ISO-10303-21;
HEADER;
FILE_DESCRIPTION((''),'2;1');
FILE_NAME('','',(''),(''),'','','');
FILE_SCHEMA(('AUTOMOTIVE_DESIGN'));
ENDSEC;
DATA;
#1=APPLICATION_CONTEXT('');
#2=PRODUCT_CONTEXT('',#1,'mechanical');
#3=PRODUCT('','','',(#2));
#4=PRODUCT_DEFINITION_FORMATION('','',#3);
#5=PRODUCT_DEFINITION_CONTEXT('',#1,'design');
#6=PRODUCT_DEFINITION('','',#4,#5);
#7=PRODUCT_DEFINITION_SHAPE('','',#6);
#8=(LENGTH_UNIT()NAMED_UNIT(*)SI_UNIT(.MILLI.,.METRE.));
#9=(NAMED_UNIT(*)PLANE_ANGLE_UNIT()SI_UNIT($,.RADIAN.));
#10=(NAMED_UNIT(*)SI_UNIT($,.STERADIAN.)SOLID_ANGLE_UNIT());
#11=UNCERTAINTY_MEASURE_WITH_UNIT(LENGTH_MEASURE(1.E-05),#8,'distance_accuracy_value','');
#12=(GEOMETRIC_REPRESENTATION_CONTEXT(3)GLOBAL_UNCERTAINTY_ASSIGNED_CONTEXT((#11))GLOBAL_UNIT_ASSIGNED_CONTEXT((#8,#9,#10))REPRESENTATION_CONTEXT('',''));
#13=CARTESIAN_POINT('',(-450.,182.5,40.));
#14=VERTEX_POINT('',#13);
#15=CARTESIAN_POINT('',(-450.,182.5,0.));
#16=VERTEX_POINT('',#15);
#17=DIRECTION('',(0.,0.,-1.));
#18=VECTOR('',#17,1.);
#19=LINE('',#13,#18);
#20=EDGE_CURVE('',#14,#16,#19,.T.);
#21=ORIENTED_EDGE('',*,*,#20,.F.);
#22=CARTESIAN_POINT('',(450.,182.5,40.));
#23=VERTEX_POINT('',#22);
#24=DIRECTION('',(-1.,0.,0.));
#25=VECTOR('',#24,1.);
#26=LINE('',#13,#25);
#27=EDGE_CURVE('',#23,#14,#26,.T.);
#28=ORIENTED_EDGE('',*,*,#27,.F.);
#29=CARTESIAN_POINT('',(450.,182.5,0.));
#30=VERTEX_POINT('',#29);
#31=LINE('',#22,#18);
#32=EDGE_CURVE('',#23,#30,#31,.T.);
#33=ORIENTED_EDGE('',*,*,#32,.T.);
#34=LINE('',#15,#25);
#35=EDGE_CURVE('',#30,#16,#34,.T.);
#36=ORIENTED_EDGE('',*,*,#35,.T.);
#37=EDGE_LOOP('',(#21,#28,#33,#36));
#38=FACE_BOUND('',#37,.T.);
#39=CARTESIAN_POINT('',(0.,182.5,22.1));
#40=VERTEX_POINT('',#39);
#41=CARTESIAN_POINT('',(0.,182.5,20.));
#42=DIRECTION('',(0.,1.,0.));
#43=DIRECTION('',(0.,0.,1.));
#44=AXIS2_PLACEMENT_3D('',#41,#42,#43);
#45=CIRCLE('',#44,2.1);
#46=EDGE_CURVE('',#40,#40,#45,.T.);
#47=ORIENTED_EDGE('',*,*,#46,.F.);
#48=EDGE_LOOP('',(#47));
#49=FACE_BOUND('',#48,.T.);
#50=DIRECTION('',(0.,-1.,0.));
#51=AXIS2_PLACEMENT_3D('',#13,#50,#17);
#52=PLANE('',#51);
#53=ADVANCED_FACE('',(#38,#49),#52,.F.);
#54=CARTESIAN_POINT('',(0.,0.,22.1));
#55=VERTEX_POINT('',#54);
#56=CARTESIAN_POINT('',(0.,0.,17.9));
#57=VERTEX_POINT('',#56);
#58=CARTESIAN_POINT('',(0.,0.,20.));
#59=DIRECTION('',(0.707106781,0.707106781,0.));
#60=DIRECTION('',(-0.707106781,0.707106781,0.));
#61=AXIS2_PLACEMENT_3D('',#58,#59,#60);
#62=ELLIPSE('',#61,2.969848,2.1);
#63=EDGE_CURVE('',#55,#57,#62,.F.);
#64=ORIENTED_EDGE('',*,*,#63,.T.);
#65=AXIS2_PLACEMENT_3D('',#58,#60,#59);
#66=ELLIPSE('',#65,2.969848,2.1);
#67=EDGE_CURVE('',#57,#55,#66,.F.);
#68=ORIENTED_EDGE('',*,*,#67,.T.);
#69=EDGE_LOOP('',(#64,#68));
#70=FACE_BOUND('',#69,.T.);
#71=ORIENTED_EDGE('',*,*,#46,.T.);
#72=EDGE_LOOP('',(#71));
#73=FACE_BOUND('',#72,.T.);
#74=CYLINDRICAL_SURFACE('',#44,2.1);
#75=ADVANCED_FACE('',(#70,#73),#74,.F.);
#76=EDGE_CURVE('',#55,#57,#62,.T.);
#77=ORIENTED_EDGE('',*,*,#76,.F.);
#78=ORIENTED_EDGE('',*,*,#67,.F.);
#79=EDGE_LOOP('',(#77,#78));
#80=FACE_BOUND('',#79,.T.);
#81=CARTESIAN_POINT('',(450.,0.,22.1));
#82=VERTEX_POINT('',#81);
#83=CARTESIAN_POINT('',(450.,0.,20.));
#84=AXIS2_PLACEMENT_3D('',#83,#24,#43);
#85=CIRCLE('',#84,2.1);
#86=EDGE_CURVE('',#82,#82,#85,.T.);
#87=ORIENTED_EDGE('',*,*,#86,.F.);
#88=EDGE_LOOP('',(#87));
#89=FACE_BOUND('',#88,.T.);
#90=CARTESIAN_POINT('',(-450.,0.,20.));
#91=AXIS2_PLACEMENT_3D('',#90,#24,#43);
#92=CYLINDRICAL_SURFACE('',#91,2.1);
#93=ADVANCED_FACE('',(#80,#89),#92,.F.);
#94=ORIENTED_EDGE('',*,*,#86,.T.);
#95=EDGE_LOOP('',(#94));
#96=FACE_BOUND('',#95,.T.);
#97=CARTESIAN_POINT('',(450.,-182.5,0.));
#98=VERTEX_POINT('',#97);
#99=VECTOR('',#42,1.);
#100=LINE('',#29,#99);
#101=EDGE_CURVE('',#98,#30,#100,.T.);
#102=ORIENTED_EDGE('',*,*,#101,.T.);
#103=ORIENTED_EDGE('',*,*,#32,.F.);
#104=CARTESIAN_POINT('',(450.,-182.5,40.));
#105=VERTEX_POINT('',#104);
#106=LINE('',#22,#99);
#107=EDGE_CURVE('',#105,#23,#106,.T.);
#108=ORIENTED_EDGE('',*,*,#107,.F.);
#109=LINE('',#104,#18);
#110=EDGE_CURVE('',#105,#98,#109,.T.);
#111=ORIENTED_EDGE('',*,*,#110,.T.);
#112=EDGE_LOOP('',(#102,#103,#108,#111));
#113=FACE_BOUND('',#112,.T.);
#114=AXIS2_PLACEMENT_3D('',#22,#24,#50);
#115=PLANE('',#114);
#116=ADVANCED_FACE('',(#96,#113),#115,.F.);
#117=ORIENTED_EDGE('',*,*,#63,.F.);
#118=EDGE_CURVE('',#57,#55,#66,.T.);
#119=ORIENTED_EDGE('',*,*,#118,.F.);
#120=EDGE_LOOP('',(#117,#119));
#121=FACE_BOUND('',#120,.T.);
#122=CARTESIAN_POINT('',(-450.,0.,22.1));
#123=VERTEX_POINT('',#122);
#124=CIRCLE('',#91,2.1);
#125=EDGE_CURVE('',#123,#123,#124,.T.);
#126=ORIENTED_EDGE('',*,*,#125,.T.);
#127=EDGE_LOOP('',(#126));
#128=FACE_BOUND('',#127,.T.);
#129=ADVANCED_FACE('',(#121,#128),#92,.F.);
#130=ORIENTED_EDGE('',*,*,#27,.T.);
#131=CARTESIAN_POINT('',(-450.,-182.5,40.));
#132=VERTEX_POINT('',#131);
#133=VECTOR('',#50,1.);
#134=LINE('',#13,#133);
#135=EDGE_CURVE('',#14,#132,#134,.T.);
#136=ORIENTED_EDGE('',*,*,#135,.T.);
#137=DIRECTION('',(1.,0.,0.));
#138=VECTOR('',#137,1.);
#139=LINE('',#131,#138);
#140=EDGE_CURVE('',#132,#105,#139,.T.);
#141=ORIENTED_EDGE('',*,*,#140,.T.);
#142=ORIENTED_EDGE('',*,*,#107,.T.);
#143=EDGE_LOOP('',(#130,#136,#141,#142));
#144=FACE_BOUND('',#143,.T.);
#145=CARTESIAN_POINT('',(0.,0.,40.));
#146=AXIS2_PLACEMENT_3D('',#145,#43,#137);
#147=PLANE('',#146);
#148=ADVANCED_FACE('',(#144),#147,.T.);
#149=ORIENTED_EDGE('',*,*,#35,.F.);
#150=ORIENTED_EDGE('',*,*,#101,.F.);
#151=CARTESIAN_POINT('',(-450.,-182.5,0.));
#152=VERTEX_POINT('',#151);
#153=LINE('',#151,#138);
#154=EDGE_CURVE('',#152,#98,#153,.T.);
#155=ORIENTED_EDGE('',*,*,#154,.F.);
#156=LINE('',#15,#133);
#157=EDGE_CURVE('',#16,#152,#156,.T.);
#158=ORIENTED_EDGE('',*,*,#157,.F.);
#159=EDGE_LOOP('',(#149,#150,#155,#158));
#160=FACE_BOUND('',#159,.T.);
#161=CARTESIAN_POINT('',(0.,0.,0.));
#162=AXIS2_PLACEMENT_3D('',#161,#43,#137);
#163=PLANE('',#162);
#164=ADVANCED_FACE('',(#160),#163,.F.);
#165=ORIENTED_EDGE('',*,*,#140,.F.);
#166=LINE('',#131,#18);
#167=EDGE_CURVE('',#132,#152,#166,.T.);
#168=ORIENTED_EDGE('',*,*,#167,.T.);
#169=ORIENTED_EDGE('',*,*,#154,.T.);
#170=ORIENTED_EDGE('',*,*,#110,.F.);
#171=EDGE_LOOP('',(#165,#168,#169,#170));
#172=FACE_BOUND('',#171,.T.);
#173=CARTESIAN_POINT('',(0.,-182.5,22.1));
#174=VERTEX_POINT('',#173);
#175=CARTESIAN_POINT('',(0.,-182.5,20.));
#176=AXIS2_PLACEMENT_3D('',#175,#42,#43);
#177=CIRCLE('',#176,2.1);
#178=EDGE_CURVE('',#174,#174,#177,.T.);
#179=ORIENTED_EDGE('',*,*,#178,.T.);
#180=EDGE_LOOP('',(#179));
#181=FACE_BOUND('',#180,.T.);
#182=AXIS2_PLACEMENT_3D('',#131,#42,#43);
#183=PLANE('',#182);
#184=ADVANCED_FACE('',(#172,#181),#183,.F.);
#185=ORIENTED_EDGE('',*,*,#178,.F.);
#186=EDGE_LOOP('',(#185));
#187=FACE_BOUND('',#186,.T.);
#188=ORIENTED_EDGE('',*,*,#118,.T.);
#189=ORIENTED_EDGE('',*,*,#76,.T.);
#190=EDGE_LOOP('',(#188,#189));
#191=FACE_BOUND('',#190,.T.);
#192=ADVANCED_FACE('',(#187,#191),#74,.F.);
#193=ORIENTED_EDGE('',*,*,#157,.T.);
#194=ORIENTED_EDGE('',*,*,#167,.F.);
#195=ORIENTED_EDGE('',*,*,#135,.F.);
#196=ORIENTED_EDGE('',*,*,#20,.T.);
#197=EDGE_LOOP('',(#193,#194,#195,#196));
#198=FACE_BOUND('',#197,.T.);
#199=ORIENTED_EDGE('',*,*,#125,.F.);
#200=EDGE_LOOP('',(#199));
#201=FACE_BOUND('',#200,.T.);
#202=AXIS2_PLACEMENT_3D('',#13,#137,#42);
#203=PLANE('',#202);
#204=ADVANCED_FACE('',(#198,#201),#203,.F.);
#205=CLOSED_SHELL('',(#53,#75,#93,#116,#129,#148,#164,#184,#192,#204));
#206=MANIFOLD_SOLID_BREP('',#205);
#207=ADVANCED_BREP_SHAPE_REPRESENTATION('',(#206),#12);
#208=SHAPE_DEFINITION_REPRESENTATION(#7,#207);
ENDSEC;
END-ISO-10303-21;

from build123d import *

# Parameters (mm, degrees)
SKETCH_1_W         = 900
SKETCH_1_H         = 365
EXTRUDE_1_DEPTH    = 40
HOLE_WIZARD_M5_1_D = 4.2
HOLE_WIZARD_M5_2_D = 4.2


with BuildPart() as part:
    # 草图1 → 凸台-拉伸1 (new body)
    with BuildSketch(Plane.XY):
        Rectangle(SKETCH_1_W, SKETCH_1_H)
    extrude(amount=EXTRUDE_1_DEPTH)

    # M5 螺纹孔1 (through all)
    with Locations(Plane(origin=(0, 182.5, 0), x_dir=(1, 0, 0), z_dir=(0, 1, 0))):
        with Locations((0, -20)):
            Hole(HOLE_WIZARD_M5_1_D / 2)

    # M5 螺纹孔2 (through all)
    with Locations(Plane.ZY.offset(450)):
        with Locations((20, 0)):
            Hole(HOLE_WIZARD_M5_2_D / 2)


solid = part.part
